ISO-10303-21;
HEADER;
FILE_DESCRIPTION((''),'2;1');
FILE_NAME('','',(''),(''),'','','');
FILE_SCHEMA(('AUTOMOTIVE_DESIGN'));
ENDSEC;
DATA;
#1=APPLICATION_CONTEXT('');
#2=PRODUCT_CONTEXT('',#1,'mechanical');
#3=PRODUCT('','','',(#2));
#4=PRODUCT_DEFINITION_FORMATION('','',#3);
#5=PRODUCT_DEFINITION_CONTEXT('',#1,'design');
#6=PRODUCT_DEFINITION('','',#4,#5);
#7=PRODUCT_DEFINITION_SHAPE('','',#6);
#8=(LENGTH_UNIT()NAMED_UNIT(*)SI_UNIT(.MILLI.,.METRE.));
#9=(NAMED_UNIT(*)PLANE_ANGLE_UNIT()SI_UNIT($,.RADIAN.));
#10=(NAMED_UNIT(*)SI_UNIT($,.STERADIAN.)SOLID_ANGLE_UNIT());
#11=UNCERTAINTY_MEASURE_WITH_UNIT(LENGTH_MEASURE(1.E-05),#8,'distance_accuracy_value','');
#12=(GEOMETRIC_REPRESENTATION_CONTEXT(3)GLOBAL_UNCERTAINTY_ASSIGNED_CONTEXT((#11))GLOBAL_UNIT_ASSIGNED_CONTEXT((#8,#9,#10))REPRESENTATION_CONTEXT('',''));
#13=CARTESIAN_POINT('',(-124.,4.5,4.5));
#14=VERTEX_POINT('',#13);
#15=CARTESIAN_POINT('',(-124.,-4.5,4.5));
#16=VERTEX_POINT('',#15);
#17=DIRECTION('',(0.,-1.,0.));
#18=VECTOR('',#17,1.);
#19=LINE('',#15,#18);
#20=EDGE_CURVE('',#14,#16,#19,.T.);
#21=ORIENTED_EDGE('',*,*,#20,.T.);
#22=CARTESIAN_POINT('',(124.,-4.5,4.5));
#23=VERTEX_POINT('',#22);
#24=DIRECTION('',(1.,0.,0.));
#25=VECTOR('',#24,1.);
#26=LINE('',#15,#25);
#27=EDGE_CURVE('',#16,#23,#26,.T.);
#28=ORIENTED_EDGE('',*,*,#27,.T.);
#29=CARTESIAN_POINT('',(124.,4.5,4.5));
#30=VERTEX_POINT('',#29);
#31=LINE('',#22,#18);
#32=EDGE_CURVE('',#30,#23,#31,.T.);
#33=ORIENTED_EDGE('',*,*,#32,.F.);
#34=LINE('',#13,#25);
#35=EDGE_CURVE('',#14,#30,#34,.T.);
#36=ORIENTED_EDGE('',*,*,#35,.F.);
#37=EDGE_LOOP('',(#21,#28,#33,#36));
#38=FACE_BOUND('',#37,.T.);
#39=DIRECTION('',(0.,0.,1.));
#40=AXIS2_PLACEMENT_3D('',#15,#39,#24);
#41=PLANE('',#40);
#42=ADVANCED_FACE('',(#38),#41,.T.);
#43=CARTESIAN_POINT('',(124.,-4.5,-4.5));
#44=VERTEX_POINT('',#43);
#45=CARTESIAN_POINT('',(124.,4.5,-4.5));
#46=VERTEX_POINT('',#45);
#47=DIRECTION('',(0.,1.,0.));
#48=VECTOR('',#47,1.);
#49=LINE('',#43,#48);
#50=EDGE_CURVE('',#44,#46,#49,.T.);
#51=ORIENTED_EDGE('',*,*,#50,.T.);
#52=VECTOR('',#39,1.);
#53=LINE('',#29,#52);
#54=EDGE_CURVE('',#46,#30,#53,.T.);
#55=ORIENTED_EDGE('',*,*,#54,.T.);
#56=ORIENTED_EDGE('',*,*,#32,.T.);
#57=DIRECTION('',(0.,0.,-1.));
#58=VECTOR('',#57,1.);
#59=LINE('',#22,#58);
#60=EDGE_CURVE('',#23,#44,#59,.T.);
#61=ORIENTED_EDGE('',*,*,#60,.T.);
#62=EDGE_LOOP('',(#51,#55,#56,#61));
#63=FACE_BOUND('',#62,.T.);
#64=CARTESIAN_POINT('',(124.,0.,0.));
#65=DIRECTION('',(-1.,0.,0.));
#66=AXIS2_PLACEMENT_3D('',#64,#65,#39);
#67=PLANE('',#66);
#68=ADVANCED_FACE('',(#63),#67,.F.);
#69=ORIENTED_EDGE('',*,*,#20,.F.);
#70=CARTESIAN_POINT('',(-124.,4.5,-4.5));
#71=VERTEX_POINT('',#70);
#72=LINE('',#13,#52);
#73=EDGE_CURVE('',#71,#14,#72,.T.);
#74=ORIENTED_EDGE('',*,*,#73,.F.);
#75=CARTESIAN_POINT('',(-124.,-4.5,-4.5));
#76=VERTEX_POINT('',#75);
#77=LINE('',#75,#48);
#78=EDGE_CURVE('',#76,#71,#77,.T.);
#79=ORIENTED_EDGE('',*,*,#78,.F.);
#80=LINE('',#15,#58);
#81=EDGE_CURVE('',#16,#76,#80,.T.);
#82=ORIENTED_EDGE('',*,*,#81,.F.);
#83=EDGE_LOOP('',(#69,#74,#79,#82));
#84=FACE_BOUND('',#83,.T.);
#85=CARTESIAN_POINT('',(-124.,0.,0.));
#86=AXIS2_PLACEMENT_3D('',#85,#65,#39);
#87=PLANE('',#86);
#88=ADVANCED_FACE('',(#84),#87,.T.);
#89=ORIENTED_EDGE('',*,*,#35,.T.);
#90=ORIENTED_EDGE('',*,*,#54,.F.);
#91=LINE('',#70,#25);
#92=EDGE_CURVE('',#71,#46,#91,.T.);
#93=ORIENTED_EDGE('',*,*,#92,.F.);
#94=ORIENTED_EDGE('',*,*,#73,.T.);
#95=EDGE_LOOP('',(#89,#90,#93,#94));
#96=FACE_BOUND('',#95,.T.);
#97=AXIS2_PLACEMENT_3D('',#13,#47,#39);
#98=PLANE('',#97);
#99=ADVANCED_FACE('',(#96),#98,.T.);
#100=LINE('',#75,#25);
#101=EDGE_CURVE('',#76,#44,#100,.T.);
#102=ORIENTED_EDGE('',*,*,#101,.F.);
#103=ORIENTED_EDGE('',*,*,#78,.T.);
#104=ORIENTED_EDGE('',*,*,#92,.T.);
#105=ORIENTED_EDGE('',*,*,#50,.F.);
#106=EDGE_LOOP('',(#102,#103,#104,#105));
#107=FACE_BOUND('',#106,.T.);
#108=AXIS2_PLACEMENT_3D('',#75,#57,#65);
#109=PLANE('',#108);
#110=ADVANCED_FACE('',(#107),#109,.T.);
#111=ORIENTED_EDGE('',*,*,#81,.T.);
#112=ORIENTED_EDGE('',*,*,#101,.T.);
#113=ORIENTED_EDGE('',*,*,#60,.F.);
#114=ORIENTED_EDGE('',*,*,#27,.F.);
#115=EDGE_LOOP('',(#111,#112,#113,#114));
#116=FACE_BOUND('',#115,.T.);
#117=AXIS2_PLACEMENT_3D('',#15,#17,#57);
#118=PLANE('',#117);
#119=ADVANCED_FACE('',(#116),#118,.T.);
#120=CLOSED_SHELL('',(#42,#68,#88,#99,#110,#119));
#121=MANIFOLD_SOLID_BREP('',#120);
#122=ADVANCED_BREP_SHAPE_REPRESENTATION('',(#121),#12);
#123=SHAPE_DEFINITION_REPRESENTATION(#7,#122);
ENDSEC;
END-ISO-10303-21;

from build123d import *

# Parameters (mm, degrees)
BOSS_EXTRUDE1_DEPTH      = 124
BOSS_EXTRUDE1_DEPTH_BACK = 124
SKETCH2_W                = 9
SKETCH2_H                = 9


with BuildPart() as part:
    # Sketch2 → Boss-Extrude1 (new, two sides: drawn at the far end of the back side and taken through both)
    with BuildSketch(Plane(origin=(0, 0, 0), x_dir=(0, 0, -1), z_dir=(1, 0, 0)).offset(-BOSS_EXTRUDE1_DEPTH_BACK)):
        Rectangle(SKETCH2_W, SKETCH2_H)
    extrude(amount=BOSS_EXTRUDE1_DEPTH + BOSS_EXTRUDE1_DEPTH_BACK)


solid = part.part
